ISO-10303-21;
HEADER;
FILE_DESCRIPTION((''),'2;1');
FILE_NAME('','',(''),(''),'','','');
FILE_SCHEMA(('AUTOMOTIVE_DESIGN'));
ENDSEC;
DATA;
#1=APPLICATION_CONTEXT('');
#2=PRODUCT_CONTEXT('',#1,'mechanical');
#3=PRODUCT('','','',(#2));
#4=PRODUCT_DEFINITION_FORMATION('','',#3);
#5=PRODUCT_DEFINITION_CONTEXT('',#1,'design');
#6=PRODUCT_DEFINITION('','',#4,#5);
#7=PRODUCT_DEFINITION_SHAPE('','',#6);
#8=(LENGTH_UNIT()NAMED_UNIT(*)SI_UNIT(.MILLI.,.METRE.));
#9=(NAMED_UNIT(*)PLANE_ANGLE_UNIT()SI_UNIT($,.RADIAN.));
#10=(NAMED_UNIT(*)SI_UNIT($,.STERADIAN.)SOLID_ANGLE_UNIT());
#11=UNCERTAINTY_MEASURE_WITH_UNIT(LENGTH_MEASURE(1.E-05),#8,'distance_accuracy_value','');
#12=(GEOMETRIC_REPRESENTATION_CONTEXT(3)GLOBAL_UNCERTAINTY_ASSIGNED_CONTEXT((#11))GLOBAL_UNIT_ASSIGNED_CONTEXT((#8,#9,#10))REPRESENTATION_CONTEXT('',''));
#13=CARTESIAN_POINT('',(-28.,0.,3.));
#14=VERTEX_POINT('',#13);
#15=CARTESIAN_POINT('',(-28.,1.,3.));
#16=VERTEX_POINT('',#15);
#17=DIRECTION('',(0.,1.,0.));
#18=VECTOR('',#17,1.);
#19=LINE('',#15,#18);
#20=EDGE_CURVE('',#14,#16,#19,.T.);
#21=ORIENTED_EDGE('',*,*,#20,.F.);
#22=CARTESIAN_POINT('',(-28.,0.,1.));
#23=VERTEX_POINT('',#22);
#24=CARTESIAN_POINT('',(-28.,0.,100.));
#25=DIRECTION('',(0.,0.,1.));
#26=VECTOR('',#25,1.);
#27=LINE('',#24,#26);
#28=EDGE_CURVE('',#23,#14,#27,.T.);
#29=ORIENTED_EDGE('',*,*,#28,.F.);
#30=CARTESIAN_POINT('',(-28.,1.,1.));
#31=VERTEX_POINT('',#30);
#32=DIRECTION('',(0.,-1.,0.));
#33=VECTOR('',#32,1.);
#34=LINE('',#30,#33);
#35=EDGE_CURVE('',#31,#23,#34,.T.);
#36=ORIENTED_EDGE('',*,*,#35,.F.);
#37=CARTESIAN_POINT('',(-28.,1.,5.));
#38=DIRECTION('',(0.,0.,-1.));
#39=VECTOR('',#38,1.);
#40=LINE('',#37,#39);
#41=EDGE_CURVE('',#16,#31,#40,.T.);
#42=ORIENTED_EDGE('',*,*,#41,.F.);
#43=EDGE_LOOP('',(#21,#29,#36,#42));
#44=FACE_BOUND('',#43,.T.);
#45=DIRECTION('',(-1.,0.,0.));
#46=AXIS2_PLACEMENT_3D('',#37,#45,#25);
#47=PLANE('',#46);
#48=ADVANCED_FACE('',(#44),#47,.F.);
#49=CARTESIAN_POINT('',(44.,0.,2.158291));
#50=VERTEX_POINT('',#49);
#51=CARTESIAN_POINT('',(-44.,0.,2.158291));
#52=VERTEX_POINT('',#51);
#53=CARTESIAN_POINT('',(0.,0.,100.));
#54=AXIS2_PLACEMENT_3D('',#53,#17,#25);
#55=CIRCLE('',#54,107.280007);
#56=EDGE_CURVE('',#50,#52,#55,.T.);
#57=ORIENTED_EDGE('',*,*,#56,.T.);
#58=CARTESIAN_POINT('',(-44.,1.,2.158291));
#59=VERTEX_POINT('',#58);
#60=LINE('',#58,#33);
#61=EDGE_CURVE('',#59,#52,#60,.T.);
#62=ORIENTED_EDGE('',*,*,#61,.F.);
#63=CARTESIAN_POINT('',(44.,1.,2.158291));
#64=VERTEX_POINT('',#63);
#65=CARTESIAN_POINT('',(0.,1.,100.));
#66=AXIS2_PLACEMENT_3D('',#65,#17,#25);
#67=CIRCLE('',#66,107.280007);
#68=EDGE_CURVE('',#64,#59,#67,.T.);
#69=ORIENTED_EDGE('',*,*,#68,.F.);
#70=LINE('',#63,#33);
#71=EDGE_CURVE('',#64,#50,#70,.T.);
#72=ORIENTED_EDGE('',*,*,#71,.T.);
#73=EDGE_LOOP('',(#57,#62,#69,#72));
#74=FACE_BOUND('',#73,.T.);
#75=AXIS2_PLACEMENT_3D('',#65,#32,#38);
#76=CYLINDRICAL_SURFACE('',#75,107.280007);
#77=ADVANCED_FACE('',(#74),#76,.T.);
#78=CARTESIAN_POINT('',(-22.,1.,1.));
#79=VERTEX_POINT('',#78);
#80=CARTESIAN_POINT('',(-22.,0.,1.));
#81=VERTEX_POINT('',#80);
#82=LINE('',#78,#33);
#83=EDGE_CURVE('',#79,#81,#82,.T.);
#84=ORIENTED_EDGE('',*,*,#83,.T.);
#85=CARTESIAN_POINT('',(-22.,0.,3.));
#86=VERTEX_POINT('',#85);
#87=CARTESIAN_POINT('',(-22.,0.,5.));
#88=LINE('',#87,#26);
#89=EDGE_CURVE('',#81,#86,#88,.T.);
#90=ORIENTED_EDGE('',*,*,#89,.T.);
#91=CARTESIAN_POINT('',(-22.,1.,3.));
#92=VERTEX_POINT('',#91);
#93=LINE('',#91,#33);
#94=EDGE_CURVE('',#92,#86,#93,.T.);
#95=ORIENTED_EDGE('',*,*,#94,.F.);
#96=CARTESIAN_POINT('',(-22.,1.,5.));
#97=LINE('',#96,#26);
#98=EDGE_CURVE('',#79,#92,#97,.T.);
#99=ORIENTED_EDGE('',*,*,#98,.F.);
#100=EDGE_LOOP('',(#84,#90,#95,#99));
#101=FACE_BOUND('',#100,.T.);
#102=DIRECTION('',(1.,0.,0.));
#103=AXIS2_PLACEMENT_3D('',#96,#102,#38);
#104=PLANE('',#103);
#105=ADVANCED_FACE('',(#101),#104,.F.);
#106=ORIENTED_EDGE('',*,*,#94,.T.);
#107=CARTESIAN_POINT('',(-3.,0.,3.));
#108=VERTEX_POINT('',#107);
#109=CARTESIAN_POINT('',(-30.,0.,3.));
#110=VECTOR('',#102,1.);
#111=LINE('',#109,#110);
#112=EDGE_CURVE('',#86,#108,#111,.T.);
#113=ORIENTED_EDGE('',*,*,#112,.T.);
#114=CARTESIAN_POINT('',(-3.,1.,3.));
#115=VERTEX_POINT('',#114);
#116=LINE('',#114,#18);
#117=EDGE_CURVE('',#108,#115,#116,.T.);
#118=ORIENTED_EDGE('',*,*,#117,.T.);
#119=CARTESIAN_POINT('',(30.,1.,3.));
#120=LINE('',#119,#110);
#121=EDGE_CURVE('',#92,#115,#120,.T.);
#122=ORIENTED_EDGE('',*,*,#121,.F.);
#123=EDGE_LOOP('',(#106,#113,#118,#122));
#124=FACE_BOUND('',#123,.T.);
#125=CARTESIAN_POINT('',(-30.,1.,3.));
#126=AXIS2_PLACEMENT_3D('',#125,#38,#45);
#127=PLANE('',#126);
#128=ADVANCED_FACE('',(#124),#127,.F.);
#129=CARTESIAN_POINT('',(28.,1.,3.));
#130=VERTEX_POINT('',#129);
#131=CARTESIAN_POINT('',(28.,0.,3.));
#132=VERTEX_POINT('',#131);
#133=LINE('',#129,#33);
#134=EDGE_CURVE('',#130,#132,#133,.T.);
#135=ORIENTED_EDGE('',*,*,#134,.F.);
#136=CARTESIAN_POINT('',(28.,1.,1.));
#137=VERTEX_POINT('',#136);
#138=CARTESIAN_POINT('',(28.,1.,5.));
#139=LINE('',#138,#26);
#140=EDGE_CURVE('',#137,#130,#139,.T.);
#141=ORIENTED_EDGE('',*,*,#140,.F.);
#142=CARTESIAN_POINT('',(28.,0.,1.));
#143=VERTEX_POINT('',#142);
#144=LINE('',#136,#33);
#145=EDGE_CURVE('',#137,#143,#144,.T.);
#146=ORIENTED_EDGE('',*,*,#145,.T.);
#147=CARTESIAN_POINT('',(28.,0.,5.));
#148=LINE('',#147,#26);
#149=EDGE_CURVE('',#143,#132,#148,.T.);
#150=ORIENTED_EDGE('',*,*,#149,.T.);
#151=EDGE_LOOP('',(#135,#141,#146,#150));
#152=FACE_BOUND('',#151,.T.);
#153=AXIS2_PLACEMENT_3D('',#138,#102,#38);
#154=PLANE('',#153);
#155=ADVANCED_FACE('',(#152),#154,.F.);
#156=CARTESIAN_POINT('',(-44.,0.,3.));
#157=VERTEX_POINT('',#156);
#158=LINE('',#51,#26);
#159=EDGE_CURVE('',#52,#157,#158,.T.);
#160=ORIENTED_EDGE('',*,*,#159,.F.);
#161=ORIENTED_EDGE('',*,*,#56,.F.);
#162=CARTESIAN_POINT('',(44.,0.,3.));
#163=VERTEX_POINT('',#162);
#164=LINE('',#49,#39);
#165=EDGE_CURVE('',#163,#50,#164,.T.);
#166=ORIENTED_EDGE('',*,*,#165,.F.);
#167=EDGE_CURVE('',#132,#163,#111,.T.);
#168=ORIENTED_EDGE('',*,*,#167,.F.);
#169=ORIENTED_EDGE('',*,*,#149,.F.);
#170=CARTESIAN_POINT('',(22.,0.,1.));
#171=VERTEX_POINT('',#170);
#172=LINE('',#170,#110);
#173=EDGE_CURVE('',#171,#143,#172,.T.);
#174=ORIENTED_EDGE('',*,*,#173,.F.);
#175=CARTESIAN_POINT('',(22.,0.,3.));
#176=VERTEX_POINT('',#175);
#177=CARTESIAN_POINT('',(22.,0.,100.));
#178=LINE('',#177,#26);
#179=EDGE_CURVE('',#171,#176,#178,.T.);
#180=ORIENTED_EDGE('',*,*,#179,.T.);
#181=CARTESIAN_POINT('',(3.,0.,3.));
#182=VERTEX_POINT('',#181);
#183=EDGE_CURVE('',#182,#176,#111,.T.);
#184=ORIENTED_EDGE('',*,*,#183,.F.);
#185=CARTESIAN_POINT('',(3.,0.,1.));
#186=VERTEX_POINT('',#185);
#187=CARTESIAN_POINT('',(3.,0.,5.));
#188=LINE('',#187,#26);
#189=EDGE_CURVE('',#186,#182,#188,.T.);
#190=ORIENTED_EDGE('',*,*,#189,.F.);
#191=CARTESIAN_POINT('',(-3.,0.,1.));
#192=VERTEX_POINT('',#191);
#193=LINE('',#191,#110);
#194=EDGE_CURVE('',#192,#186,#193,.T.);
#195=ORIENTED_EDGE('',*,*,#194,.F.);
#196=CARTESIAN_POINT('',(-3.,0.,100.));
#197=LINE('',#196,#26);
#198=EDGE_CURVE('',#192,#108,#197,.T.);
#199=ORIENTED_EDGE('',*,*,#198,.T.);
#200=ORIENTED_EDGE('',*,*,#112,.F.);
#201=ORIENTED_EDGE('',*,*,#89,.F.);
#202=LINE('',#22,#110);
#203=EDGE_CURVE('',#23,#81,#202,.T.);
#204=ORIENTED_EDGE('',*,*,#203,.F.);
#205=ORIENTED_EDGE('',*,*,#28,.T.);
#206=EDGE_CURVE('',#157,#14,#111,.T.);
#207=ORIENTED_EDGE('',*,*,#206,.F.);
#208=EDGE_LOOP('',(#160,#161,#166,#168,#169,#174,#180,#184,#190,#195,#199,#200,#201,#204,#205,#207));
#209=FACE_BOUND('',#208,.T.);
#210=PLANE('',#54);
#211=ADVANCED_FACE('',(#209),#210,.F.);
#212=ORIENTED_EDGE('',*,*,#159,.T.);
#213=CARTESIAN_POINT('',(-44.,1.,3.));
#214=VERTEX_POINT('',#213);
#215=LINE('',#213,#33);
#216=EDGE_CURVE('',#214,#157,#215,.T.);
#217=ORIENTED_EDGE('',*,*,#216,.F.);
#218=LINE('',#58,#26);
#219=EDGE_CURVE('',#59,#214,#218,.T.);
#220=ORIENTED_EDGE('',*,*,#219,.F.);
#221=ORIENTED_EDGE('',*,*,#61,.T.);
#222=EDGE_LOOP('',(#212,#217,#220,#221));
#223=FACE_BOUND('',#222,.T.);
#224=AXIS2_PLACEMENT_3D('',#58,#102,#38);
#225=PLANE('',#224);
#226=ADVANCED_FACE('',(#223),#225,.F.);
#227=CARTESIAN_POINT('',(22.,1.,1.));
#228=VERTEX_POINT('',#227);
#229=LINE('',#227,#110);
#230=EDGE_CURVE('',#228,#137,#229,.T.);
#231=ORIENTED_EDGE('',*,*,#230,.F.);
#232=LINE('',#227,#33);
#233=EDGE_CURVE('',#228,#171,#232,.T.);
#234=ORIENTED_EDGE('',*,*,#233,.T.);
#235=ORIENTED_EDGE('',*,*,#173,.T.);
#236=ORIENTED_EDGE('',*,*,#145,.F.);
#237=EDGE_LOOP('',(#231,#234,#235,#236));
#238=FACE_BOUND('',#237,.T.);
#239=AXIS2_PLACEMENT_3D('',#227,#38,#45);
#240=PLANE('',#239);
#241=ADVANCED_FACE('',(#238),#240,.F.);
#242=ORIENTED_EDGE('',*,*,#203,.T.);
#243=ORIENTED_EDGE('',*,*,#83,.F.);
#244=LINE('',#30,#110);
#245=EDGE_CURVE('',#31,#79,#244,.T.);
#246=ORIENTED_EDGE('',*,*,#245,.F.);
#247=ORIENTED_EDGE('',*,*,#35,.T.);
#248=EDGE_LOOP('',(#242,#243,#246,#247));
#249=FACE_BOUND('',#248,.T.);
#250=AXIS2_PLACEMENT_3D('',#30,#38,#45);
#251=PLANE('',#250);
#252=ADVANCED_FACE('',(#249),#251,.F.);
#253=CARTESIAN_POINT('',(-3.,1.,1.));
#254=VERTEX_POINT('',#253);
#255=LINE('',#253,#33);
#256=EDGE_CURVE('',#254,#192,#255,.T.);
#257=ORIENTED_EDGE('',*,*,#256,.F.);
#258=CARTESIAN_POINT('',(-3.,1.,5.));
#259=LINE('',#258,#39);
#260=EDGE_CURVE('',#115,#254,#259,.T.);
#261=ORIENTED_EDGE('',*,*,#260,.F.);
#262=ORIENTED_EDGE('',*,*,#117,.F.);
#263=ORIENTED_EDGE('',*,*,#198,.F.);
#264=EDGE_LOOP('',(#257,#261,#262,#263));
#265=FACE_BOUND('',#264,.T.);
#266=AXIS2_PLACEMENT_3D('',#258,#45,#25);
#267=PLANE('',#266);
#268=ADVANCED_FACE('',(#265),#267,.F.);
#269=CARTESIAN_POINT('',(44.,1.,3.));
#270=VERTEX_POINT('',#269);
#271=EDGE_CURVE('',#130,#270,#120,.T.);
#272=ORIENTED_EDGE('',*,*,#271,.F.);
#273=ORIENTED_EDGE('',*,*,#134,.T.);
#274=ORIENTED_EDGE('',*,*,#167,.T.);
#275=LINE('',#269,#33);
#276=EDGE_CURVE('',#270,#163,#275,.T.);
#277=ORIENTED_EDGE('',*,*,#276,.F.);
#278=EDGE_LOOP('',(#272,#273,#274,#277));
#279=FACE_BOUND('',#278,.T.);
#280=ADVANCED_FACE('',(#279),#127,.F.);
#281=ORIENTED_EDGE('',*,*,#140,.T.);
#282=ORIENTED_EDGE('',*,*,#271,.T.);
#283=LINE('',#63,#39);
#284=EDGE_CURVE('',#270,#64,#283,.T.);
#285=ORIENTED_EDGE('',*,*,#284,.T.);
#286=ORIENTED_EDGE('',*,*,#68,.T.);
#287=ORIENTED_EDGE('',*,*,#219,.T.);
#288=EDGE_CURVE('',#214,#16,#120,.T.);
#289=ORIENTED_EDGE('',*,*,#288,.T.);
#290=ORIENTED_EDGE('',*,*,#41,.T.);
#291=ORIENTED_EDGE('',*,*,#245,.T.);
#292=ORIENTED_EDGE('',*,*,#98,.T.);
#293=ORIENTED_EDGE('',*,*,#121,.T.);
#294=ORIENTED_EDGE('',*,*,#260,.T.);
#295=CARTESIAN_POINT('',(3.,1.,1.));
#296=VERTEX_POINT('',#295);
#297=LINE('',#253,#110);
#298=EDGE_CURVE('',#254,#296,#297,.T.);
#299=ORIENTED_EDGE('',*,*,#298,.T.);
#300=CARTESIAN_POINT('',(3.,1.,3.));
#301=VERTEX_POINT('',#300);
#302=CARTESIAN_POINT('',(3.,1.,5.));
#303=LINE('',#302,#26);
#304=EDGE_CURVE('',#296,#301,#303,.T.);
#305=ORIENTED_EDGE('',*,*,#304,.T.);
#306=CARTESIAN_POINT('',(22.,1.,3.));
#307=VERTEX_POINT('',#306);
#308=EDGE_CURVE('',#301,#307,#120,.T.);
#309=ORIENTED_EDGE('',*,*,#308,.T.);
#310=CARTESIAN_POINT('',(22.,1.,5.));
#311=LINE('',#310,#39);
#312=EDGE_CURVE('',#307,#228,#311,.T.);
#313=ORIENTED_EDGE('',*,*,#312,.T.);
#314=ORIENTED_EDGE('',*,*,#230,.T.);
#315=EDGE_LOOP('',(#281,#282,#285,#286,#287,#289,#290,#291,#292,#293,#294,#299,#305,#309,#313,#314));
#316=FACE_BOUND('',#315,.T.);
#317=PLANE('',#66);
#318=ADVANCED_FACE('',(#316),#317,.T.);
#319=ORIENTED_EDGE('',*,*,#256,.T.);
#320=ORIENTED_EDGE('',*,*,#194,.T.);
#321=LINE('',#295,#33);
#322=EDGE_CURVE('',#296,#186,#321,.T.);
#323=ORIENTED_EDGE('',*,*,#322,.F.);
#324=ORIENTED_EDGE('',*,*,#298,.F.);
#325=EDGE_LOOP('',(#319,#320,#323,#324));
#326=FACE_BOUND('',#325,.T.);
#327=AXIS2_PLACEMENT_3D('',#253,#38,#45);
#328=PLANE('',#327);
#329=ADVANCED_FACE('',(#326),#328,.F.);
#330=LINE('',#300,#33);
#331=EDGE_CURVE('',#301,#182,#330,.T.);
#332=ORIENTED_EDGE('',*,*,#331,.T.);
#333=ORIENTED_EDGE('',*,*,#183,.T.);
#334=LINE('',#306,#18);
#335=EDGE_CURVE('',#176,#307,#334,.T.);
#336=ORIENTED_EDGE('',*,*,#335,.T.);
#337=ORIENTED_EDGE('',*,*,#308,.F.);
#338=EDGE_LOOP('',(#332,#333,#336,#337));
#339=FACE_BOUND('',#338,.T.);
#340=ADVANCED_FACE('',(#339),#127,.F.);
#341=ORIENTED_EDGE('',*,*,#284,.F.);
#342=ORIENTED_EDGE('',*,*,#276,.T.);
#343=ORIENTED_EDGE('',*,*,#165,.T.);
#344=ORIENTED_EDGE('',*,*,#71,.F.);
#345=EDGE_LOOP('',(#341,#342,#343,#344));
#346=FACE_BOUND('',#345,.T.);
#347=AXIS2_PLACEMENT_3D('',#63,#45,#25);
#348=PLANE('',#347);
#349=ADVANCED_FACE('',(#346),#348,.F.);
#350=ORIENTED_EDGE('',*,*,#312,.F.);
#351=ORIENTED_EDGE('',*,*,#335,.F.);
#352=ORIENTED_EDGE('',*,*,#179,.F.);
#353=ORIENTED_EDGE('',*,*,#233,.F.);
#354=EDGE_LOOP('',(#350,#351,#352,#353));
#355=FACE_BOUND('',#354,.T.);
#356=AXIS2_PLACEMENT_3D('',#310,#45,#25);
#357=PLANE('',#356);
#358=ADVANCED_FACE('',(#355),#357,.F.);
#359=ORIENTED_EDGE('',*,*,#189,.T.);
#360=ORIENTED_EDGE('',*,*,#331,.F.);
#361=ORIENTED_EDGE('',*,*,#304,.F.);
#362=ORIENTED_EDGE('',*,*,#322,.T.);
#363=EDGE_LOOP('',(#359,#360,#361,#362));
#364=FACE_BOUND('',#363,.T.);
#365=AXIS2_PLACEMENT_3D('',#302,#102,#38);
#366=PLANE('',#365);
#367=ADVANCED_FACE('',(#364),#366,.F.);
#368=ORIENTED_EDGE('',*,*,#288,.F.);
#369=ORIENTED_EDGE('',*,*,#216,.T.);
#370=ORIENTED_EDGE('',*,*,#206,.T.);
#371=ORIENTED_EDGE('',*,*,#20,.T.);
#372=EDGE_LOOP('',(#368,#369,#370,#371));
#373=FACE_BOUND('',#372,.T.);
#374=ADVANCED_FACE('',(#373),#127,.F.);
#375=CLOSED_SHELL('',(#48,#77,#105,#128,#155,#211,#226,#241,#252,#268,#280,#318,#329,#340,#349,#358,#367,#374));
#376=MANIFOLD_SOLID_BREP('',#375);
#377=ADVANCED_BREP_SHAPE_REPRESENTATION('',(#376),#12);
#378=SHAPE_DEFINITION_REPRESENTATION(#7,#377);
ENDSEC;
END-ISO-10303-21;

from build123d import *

# Parameters (mm, degrees)
EXTRUDE_1_DEPTH     = 1
SKETCH_2_W          = 6
SKETCH_2_H          = 4
CUT_EXTRUDE_1_DEPTH = 2


with BuildPart() as part:
    # 草图1 → 凸台-拉伸1 (new body)
    with BuildSketch(Plane(origin=(0, 0, 0), x_dir=(1, 0, 0), z_dir=(0, 1, 0))):
        with BuildLine():
            Line((-30, -3), (-44, -3))
            Line((-44, -3), (-44, -2.158291102))
            ThreePointArc((-44, -2.158291102), (0, 7.280007457), (44, -2.158291102))
            Line((44, -2.158291102), (44, -3))
            Line((44, -3), (30, -3))
            Line((30, -3), (-30, -3))
        make_face()
    extrude(amount=EXTRUDE_1_DEPTH)

    # 草图2 → 切除-拉伸1 (cut, through all)
    with BuildSketch(Plane.XZ):
        with Locations((0, 3)):
            Rectangle(SKETCH_2_W, SKETCH_2_H)
        with Locations((25, 3)):
            Rectangle(SKETCH_2_W, SKETCH_2_H)
        with Locations((-25, 3)):
            Rectangle(SKETCH_2_W, SKETCH_2_H)
    extrude(amount=-CUT_EXTRUDE_1_DEPTH, mode=Mode.SUBTRACT)


solid = part.part
